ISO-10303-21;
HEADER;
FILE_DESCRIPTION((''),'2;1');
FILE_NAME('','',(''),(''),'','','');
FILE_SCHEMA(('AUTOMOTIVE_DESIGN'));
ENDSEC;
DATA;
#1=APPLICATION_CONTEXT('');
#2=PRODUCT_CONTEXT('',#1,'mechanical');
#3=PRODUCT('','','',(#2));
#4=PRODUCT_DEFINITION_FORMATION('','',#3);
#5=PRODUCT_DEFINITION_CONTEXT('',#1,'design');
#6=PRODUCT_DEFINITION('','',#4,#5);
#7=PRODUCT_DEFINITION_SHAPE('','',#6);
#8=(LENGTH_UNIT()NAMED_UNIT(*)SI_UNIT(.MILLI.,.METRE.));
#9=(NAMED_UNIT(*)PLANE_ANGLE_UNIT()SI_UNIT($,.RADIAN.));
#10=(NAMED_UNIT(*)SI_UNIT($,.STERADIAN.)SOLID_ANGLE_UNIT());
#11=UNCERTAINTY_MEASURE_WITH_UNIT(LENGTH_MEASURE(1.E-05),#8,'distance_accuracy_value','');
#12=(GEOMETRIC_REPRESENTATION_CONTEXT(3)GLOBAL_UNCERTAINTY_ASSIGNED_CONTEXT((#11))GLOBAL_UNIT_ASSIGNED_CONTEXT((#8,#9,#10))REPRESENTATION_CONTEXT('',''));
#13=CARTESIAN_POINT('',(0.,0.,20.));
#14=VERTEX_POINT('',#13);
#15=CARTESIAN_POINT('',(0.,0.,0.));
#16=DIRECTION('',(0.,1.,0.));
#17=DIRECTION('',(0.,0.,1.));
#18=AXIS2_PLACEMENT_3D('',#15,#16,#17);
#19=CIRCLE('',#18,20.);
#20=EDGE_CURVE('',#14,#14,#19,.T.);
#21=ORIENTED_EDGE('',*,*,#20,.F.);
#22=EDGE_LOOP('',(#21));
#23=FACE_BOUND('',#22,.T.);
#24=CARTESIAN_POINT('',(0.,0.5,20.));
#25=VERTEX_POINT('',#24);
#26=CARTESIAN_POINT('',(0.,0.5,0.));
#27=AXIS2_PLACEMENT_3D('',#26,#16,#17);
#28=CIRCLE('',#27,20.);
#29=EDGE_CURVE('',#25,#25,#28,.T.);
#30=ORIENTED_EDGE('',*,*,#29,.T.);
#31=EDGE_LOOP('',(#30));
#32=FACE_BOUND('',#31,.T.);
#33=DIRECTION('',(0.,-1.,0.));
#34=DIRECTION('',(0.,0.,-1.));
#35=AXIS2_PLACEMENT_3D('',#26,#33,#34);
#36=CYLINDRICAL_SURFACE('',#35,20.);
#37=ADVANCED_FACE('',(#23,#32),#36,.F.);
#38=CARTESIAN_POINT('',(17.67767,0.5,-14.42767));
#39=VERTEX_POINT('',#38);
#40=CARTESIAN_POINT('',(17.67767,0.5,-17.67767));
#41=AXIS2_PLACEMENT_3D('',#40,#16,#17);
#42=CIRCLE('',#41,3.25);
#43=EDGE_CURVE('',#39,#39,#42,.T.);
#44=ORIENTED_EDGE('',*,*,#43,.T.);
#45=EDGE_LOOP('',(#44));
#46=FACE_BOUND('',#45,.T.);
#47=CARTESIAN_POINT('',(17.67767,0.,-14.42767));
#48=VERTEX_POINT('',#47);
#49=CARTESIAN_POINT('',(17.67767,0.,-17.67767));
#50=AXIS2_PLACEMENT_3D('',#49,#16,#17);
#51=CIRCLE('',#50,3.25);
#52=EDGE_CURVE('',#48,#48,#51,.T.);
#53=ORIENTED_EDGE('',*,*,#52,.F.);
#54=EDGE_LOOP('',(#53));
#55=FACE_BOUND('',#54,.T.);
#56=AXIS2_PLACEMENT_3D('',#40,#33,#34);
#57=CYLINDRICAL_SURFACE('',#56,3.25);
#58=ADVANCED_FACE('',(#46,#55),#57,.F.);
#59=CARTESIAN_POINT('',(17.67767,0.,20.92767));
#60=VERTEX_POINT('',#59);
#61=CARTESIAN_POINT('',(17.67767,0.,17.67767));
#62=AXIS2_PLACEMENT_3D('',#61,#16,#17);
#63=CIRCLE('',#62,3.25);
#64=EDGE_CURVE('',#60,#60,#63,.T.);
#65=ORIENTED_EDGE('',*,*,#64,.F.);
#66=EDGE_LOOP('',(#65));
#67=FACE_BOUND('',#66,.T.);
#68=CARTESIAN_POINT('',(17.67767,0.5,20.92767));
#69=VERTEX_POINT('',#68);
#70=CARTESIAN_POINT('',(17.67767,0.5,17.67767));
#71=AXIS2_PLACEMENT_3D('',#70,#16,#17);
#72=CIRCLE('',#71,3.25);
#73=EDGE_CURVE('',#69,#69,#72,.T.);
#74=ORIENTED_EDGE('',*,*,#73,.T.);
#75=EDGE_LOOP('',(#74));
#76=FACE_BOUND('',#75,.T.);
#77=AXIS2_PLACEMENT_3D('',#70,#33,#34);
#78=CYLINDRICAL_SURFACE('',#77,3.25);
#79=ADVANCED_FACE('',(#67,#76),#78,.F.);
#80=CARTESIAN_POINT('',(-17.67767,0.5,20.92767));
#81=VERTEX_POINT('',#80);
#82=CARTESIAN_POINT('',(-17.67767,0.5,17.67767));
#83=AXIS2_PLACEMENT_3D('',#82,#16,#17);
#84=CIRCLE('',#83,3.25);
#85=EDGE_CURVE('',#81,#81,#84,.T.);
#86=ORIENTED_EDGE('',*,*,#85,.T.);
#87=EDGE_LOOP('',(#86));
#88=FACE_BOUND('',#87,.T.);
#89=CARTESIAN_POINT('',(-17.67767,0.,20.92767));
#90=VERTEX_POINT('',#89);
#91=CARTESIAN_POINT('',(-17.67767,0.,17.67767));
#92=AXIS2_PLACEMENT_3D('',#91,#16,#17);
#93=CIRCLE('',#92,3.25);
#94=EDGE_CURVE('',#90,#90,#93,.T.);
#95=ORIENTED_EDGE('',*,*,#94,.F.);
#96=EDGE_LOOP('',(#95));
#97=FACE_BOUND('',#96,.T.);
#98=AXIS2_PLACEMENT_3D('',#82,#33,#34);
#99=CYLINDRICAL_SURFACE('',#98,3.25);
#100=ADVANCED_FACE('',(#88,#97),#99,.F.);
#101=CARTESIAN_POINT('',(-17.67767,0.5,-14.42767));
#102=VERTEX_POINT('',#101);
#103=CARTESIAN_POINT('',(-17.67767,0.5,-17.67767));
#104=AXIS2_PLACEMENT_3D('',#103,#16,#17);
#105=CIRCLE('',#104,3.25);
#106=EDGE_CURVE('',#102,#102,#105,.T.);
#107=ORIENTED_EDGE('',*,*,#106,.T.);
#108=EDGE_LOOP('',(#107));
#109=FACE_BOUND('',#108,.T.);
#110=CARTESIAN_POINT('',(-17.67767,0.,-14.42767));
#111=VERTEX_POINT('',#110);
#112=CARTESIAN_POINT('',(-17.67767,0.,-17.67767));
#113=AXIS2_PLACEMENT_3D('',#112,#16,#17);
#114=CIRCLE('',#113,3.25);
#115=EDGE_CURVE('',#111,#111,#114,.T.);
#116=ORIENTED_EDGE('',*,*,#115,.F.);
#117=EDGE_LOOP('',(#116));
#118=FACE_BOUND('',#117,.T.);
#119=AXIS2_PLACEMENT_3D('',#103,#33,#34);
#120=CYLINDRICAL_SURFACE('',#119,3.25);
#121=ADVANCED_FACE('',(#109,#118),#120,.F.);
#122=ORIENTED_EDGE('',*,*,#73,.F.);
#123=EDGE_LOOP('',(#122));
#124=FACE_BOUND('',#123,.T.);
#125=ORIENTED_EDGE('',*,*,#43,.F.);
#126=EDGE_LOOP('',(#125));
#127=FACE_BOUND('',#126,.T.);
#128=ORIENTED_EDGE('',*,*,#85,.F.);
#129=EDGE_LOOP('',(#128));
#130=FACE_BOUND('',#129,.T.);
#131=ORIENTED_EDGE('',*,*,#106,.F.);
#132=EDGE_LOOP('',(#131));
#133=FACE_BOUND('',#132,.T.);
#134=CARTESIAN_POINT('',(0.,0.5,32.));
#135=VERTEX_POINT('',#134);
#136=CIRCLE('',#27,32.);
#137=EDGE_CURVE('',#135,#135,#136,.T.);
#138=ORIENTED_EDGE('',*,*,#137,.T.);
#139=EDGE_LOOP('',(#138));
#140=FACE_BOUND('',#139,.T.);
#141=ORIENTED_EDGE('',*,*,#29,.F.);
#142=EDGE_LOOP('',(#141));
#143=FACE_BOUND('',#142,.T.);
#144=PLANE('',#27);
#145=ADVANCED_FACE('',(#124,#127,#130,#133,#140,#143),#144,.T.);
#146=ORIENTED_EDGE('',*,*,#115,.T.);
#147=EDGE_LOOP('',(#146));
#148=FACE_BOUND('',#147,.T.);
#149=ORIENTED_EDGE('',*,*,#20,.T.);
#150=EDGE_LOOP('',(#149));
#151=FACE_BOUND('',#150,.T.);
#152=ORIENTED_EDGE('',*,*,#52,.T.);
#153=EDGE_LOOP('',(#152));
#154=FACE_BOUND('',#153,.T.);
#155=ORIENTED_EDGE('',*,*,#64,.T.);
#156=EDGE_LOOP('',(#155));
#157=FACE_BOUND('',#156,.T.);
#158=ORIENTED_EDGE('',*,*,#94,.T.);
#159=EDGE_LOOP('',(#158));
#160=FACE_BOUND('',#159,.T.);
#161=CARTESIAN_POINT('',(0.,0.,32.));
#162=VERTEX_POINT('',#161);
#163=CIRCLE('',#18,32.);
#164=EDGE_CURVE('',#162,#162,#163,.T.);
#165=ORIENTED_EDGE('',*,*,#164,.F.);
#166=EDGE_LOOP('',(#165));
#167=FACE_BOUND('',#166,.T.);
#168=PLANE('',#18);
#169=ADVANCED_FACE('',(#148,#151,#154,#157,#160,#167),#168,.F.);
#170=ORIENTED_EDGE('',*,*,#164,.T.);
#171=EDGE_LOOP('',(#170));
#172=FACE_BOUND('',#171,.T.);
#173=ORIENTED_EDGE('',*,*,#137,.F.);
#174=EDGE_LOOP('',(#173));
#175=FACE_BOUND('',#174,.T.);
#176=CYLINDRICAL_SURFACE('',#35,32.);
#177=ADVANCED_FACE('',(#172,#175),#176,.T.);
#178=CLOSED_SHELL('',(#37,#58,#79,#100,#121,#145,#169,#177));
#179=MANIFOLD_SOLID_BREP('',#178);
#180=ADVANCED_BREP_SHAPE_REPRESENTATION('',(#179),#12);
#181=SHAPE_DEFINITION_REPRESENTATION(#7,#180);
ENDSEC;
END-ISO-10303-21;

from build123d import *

# Parameters (mm, degrees)
SKETCH1_R           = 32
SKETCH1_R_2         = 20
SKETCH1_R_3         = 3.25
BOSS_EXTRUDE1_DEPTH = 0.5


with BuildPart() as part:
    # Sketch1 → Boss-Extrude1 (new body)
    with BuildSketch(Plane(origin=(0, 0, 0), x_dir=(1, 0, 0), z_dir=(0, 1, 0))):
        with Locations(Location((0, 0, 0), (0, 0, 270))):
            Circle(SKETCH1_R)
        with Locations(Location((0, 0, 0), (0, 0, 270))):
            Circle(SKETCH1_R_2, mode=Mode.SUBTRACT)
        with Locations(Location((-17.67766953, 17.67766953, 0), (0, 0, 270))):
            Circle(SKETCH1_R_3, mode=Mode.SUBTRACT)
        with Locations(Location((17.67766953, 17.67766953, 0), (0, 0, 270))):
            Circle(SKETCH1_R_3, mode=Mode.SUBTRACT)
        with Locations(Location((17.67766953, -17.67766953, 0), (0, 0, 270))):
            Circle(SKETCH1_R_3, mode=Mode.SUBTRACT)
        with Locations(Location((-17.67766953, -17.67766953, 0), (0, 0, 270))):
            Circle(SKETCH1_R_3, mode=Mode.SUBTRACT)
    extrude(amount=BOSS_EXTRUDE1_DEPTH)


solid = part.part
